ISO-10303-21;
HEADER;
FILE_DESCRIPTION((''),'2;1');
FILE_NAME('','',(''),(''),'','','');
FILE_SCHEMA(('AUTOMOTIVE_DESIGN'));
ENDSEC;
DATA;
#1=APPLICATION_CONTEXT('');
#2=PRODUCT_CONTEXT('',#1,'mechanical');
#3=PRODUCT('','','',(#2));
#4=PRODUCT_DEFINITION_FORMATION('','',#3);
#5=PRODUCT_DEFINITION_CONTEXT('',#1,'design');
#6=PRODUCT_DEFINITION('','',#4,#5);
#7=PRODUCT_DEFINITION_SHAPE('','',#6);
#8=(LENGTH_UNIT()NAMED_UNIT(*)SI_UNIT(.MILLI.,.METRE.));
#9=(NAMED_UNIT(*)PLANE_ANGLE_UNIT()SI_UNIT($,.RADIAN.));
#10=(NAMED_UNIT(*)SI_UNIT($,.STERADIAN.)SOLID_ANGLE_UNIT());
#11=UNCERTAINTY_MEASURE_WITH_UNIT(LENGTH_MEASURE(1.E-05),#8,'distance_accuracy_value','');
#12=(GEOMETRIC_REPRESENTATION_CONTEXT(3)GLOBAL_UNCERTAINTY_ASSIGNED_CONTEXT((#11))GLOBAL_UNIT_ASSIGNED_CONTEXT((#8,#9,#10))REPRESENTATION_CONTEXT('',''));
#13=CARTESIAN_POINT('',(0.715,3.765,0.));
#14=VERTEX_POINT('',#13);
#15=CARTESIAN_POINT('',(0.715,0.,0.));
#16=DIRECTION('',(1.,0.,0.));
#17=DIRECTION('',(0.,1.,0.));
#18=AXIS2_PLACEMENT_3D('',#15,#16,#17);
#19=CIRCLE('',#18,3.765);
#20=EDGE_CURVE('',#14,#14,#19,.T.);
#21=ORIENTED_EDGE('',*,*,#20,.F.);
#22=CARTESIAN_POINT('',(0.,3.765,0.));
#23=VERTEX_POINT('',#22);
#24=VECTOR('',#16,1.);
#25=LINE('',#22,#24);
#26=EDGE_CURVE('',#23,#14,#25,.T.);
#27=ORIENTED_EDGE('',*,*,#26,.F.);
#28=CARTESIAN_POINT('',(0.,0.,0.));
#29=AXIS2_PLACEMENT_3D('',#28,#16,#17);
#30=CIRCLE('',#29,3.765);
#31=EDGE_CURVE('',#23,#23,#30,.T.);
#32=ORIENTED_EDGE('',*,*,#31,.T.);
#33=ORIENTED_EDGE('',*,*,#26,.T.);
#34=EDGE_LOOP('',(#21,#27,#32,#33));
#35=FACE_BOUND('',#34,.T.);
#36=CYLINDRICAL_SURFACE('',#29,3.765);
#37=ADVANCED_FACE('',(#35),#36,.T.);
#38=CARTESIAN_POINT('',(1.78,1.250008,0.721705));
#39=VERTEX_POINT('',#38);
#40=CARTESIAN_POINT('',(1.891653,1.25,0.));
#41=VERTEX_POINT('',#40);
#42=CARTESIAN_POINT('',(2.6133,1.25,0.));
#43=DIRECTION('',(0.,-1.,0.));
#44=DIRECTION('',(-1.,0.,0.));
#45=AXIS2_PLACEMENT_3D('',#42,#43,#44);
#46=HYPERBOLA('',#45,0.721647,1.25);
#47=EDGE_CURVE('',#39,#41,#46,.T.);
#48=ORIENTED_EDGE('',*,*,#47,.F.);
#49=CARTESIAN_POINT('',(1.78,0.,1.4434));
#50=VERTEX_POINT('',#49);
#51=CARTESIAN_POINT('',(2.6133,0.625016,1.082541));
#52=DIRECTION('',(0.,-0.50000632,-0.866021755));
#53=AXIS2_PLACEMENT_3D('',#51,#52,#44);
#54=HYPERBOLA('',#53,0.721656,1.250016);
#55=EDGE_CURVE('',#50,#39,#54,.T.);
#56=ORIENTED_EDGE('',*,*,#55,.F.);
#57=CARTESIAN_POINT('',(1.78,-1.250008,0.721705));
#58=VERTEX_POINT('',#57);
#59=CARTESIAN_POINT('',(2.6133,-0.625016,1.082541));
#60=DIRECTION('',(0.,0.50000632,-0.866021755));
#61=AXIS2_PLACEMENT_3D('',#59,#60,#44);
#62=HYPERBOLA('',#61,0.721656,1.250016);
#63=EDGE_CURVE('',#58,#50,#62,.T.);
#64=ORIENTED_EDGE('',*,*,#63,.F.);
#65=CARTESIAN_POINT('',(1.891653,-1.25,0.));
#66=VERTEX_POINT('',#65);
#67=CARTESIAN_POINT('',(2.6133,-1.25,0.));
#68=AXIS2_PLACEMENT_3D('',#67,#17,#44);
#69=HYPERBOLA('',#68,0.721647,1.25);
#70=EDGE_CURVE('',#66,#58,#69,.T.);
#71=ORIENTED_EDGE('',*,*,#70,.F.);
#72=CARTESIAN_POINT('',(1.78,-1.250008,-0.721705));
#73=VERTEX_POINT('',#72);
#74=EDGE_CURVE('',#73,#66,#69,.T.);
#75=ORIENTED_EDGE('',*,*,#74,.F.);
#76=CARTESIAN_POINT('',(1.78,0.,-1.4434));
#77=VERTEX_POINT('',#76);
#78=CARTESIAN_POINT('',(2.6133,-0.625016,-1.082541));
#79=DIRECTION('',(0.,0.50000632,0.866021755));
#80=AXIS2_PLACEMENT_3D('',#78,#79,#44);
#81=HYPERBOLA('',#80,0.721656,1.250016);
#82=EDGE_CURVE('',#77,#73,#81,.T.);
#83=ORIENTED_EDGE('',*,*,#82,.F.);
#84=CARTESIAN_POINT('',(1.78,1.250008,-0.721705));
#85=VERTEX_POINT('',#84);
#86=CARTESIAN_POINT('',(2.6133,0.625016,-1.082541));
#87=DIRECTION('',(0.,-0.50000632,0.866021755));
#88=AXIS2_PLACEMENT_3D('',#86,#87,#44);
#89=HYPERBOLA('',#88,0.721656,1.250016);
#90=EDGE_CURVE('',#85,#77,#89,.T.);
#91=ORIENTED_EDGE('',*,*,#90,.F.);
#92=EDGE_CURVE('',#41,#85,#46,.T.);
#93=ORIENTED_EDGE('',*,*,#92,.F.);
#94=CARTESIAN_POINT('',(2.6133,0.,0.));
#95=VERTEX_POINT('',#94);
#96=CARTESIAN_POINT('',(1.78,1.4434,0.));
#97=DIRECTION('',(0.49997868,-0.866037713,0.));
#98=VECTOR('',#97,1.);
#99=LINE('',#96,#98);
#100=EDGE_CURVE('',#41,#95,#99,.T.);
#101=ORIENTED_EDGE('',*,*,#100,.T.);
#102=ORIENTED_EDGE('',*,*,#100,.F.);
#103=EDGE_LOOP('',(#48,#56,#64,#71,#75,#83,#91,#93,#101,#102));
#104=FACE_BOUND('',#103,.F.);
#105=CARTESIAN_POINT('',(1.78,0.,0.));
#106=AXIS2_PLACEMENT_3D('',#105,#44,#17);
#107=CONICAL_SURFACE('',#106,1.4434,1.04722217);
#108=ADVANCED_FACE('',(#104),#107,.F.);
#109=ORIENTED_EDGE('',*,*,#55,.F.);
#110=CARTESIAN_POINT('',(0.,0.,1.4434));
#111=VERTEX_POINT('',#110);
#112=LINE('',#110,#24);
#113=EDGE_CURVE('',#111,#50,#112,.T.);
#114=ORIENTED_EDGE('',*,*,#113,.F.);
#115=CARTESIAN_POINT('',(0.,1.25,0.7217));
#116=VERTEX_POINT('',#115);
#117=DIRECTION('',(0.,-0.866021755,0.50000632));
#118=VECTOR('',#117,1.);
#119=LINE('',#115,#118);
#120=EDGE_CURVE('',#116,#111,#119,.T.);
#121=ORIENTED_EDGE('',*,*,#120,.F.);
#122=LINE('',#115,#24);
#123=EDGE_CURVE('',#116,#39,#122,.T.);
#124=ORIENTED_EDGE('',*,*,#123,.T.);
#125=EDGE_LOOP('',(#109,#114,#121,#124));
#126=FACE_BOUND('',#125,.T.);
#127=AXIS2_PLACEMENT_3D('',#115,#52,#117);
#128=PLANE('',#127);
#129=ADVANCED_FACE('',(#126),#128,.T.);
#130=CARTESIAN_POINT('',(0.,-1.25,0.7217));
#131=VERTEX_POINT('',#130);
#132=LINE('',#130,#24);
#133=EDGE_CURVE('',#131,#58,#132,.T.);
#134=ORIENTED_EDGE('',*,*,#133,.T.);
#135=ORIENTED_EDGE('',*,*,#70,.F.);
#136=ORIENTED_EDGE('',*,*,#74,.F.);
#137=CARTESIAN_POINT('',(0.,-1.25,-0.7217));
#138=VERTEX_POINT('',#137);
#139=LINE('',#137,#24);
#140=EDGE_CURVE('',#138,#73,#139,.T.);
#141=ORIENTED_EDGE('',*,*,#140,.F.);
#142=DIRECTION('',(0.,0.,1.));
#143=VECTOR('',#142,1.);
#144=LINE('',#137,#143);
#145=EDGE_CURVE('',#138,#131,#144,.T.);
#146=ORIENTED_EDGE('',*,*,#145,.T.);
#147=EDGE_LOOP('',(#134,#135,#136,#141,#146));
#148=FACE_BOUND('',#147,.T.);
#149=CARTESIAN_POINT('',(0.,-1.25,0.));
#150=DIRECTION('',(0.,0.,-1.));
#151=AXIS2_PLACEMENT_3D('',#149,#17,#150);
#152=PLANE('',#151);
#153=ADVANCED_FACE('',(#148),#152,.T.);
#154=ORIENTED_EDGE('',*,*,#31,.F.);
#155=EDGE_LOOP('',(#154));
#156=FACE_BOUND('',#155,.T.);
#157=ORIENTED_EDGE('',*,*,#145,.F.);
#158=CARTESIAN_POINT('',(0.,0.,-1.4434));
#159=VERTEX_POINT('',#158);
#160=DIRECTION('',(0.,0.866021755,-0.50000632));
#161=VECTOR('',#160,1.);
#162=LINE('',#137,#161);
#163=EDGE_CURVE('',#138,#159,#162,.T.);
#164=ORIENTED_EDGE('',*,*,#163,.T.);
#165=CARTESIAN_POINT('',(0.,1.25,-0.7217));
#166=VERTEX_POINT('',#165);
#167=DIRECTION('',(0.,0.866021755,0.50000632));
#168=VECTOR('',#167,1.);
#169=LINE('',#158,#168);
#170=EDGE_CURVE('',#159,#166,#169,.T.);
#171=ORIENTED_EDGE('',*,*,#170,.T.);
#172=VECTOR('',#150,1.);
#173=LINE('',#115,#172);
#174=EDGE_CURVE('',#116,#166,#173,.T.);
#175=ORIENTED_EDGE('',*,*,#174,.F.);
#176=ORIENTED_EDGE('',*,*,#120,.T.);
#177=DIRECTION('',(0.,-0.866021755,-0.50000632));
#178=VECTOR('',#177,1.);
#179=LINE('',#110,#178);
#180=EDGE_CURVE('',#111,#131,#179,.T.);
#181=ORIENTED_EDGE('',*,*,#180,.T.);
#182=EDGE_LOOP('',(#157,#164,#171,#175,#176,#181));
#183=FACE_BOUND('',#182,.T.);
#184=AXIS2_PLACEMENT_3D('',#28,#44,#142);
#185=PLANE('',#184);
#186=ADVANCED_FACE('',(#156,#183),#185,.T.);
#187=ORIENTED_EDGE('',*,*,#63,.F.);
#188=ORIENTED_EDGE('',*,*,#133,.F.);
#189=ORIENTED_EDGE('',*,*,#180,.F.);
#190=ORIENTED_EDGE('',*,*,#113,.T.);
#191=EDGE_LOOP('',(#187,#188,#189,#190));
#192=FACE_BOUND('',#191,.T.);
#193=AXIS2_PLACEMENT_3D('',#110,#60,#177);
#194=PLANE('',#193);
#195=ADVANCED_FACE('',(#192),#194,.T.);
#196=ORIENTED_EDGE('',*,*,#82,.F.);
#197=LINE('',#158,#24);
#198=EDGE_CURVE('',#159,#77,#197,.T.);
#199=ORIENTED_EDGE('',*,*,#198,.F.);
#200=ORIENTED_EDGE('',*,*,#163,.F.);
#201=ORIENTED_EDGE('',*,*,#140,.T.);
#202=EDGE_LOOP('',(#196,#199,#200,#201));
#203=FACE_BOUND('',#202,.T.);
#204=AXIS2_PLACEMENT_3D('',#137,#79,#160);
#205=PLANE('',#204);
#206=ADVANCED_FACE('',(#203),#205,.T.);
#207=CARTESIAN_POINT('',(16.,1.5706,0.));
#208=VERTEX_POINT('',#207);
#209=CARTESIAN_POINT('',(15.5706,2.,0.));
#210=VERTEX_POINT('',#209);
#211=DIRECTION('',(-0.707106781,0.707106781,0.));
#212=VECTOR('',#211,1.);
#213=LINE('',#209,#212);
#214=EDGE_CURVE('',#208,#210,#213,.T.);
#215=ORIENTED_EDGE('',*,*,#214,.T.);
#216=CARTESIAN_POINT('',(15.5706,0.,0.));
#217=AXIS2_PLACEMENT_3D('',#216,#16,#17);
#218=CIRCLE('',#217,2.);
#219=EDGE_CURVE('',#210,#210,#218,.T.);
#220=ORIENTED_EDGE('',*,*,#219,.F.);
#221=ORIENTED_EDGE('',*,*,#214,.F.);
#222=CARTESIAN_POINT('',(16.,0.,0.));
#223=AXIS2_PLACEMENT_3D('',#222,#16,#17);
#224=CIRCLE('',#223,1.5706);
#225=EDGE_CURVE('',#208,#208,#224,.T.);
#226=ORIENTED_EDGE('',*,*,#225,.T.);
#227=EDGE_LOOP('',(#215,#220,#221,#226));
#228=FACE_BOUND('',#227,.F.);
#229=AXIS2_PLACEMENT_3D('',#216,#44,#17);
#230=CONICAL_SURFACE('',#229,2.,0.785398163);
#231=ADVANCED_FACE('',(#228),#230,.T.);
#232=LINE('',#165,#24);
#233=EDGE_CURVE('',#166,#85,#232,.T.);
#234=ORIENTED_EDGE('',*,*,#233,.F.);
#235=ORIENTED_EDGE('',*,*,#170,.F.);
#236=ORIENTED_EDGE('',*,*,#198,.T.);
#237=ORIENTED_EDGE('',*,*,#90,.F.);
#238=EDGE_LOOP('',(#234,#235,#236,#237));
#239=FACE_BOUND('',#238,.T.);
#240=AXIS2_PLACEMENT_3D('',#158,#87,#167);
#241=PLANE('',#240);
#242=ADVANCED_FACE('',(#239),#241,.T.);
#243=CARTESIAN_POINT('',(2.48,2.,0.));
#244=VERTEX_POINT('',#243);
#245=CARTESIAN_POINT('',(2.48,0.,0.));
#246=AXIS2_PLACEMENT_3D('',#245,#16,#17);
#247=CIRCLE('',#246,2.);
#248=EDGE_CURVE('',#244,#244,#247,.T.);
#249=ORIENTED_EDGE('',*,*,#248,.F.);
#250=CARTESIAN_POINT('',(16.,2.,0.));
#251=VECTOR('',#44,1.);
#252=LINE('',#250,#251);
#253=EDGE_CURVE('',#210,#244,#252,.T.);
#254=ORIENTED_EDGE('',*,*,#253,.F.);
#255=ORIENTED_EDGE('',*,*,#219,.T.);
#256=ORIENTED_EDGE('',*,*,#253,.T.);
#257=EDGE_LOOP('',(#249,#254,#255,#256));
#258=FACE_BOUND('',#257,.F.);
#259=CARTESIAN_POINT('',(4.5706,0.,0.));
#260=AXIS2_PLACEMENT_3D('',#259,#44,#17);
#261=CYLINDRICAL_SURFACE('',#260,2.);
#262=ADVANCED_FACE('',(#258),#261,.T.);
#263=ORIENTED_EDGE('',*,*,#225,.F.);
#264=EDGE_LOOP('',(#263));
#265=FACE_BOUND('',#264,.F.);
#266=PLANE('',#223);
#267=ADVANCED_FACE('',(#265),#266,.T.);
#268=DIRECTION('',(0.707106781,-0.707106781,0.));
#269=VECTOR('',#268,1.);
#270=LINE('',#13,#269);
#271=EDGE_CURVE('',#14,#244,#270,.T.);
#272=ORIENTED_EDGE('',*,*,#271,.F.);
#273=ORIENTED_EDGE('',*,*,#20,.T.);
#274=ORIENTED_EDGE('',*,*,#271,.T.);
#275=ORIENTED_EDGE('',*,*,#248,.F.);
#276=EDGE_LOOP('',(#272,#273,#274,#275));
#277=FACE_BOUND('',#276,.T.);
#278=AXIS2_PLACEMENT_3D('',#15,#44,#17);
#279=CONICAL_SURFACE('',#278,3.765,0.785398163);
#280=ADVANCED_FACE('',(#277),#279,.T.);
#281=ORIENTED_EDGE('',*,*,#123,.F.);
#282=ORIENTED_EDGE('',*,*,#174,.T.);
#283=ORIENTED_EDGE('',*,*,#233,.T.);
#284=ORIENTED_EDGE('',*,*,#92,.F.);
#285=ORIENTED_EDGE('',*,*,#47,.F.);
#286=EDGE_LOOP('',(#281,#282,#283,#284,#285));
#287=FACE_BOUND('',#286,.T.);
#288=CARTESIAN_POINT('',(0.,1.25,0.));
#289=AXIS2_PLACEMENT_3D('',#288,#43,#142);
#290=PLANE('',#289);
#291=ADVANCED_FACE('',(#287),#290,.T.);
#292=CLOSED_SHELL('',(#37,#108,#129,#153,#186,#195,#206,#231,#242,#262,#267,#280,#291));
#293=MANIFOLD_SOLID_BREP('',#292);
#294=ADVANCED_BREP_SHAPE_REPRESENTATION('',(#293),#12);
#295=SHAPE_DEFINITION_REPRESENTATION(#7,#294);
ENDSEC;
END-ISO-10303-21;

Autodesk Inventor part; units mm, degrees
ref_plane "YZ Plane" through (0, 0, 0) normal (1, 0, 0) x (0, 1, 0)
ref_plane "XZ Plane" through (0, 0, 0) normal (0, 1, 0) x (-1, 0, 0)
sketch "Sketch1" plane through (0, 0, 0) normal (0, 0, 1) x (1, 0, 0)
  line L0 (16, 0) -> (16, 2)
  line L1 (16, 2) -> (5, 2)
  line L2 (5, 2) -> (4.5706, 2)
  line L3 (0, 3.765) -> (0, 1.4434)
  line L4 (0, 1.4434) -> (1.78, 1.4434)
  line L5 (1.78, 1.4434) -> (2.6133, 0)
  line L6 (2.6133, 0) -> (16, 0)
  line L7 (0, 3.765) -> (0.715, 3.765)
  line L8 (0.715, 3.765) -> (2.48, 2)
  line L9 (4.5706, 2) -> (2.48, 2)
  line L10 (5, 2) -> (2.48, 2) construction
  line L11 (2.48, 2) -> (2.48, 2)
  line L12 (-3.2, 0) -> (19.2, 0) projected
  line L13 (0, -0.753) -> (0, 4.518) projected
  dimension "d0" = 16
  dimension "d1" = 11
  dimension "d2" = 1.78
  dimension "d3" = 4
  dimension "d6" = 2.48
  dimension "d7" = 45
  dimension "d8" = 2.8868
  dimension "d9" = 60
  dimension "d10" = 7.53
  dimension "d11" = 4
  dimension "d12" = 0.4294
revolve "Body" add sketch "Sketch1" angle 360 about axis through (2.6133, 0, 0) along (1, 0, 0) contours L6 L5 L4 L3 L7 L8 L9 L2 L1 L0
sketch "Sketch2" plane through (0, 0, 0) normal (-1, 0, 0) x (0, 0, 1)
  circle A0 centre (0, 0) radius 1.4434 projected
  line L0 (0, -5.271) -> (0, 5.271) projected
  line L1 (-5.271, 0) -> (5.271, 0) projected
  line L2 (1.4434, 0) -> (0.7217, -1.25)
  line L3 (0.7217, -1.25) -> (-0.7217, -1.25)
  line L4 (-0.7217, -1.25) -> (-1.4434, 0)
  line L5 (-1.4434, 0) -> (-0.7217, 1.25)
  line L6 (-0.7217, 1.25) -> (0.7217, 1.25)
  line L7 (0.7217, 1.25) -> (1.4434, 0)
  point P0 (0, 1.4434)
extrude "Slot" add sketch "Sketch2" against normal up to next contours L7 A0 | A0 L2 | L6 L0 A0 | A0 L0 L3 | L0 L6 A0 | A0 L3 L0 | L4 A0 | A0 L5
thread "Thread" size "M4x0.7" class "6g" standard "ISO Metric profile" length 11
chamfer "Chamfer1" distance 0.4294 distance2 0.4294 1 edges at (16, -2, 0) measured on face at (16, 0.2227, -0.5871)
ref_plane "Work Plane1" through (104.775, 0, 0) normal (0, 0, -1) x (1, 0, 0)
equation "\"d15\" = GEL"
equation "\"d17\" = -0.5 * SPD + 0.5 * GD"
equation "\"d18\" = GUL"
equation "\"d0\" = NLG"
equation "\"d1\" = GEL"
equation "\"d2\" = INTI"
equation "\"d3\" = GD"
equation "\"d6\" = KOH"
equation "\"d7\" = 0.5 * SEWI"
equation "\"d8\" = 1.1547 * SW"
equation "\"d10\" = KOD"
equation "\"d11\" = BDM"
equation "\"d12\" = GAL"
equation "\"NLG\" = 16"
equation "\"INTI\" = 1.78"
equation "\"GEL\" = 11"
equation "\"GAL\" = 0.61345 * PTC"
equation "\"KOH\" = 2.48"
equation "\"KOD\" = 7.53"
equation "\"GUL\" = 0.61345 * PTC"
equation "\"SPD\" = NND - 1.2269 * PTC"
equation "\"BDM\" = NND"
equation "\"GD\" = NND"
equation "\"SEWI\" = 90deg"
equation "\"SW\" = 2.5"
equation "\"TOA\" = 30deg"
equation "\"GD1\" = THREADDIA - 1.2269 * PTC"
equation "\"EPV\" = 4.48"
equation "\"THREADDIA\" = 4"
equation "\"PTC\" = 0.7"
equation "\"NND\" = 4"
equation "\"E0\" = 2.89"
equation "\"THREADDESC\" = 1.2345"
properties part number "ISO 10642 - M4 x  16" material "Steel"
